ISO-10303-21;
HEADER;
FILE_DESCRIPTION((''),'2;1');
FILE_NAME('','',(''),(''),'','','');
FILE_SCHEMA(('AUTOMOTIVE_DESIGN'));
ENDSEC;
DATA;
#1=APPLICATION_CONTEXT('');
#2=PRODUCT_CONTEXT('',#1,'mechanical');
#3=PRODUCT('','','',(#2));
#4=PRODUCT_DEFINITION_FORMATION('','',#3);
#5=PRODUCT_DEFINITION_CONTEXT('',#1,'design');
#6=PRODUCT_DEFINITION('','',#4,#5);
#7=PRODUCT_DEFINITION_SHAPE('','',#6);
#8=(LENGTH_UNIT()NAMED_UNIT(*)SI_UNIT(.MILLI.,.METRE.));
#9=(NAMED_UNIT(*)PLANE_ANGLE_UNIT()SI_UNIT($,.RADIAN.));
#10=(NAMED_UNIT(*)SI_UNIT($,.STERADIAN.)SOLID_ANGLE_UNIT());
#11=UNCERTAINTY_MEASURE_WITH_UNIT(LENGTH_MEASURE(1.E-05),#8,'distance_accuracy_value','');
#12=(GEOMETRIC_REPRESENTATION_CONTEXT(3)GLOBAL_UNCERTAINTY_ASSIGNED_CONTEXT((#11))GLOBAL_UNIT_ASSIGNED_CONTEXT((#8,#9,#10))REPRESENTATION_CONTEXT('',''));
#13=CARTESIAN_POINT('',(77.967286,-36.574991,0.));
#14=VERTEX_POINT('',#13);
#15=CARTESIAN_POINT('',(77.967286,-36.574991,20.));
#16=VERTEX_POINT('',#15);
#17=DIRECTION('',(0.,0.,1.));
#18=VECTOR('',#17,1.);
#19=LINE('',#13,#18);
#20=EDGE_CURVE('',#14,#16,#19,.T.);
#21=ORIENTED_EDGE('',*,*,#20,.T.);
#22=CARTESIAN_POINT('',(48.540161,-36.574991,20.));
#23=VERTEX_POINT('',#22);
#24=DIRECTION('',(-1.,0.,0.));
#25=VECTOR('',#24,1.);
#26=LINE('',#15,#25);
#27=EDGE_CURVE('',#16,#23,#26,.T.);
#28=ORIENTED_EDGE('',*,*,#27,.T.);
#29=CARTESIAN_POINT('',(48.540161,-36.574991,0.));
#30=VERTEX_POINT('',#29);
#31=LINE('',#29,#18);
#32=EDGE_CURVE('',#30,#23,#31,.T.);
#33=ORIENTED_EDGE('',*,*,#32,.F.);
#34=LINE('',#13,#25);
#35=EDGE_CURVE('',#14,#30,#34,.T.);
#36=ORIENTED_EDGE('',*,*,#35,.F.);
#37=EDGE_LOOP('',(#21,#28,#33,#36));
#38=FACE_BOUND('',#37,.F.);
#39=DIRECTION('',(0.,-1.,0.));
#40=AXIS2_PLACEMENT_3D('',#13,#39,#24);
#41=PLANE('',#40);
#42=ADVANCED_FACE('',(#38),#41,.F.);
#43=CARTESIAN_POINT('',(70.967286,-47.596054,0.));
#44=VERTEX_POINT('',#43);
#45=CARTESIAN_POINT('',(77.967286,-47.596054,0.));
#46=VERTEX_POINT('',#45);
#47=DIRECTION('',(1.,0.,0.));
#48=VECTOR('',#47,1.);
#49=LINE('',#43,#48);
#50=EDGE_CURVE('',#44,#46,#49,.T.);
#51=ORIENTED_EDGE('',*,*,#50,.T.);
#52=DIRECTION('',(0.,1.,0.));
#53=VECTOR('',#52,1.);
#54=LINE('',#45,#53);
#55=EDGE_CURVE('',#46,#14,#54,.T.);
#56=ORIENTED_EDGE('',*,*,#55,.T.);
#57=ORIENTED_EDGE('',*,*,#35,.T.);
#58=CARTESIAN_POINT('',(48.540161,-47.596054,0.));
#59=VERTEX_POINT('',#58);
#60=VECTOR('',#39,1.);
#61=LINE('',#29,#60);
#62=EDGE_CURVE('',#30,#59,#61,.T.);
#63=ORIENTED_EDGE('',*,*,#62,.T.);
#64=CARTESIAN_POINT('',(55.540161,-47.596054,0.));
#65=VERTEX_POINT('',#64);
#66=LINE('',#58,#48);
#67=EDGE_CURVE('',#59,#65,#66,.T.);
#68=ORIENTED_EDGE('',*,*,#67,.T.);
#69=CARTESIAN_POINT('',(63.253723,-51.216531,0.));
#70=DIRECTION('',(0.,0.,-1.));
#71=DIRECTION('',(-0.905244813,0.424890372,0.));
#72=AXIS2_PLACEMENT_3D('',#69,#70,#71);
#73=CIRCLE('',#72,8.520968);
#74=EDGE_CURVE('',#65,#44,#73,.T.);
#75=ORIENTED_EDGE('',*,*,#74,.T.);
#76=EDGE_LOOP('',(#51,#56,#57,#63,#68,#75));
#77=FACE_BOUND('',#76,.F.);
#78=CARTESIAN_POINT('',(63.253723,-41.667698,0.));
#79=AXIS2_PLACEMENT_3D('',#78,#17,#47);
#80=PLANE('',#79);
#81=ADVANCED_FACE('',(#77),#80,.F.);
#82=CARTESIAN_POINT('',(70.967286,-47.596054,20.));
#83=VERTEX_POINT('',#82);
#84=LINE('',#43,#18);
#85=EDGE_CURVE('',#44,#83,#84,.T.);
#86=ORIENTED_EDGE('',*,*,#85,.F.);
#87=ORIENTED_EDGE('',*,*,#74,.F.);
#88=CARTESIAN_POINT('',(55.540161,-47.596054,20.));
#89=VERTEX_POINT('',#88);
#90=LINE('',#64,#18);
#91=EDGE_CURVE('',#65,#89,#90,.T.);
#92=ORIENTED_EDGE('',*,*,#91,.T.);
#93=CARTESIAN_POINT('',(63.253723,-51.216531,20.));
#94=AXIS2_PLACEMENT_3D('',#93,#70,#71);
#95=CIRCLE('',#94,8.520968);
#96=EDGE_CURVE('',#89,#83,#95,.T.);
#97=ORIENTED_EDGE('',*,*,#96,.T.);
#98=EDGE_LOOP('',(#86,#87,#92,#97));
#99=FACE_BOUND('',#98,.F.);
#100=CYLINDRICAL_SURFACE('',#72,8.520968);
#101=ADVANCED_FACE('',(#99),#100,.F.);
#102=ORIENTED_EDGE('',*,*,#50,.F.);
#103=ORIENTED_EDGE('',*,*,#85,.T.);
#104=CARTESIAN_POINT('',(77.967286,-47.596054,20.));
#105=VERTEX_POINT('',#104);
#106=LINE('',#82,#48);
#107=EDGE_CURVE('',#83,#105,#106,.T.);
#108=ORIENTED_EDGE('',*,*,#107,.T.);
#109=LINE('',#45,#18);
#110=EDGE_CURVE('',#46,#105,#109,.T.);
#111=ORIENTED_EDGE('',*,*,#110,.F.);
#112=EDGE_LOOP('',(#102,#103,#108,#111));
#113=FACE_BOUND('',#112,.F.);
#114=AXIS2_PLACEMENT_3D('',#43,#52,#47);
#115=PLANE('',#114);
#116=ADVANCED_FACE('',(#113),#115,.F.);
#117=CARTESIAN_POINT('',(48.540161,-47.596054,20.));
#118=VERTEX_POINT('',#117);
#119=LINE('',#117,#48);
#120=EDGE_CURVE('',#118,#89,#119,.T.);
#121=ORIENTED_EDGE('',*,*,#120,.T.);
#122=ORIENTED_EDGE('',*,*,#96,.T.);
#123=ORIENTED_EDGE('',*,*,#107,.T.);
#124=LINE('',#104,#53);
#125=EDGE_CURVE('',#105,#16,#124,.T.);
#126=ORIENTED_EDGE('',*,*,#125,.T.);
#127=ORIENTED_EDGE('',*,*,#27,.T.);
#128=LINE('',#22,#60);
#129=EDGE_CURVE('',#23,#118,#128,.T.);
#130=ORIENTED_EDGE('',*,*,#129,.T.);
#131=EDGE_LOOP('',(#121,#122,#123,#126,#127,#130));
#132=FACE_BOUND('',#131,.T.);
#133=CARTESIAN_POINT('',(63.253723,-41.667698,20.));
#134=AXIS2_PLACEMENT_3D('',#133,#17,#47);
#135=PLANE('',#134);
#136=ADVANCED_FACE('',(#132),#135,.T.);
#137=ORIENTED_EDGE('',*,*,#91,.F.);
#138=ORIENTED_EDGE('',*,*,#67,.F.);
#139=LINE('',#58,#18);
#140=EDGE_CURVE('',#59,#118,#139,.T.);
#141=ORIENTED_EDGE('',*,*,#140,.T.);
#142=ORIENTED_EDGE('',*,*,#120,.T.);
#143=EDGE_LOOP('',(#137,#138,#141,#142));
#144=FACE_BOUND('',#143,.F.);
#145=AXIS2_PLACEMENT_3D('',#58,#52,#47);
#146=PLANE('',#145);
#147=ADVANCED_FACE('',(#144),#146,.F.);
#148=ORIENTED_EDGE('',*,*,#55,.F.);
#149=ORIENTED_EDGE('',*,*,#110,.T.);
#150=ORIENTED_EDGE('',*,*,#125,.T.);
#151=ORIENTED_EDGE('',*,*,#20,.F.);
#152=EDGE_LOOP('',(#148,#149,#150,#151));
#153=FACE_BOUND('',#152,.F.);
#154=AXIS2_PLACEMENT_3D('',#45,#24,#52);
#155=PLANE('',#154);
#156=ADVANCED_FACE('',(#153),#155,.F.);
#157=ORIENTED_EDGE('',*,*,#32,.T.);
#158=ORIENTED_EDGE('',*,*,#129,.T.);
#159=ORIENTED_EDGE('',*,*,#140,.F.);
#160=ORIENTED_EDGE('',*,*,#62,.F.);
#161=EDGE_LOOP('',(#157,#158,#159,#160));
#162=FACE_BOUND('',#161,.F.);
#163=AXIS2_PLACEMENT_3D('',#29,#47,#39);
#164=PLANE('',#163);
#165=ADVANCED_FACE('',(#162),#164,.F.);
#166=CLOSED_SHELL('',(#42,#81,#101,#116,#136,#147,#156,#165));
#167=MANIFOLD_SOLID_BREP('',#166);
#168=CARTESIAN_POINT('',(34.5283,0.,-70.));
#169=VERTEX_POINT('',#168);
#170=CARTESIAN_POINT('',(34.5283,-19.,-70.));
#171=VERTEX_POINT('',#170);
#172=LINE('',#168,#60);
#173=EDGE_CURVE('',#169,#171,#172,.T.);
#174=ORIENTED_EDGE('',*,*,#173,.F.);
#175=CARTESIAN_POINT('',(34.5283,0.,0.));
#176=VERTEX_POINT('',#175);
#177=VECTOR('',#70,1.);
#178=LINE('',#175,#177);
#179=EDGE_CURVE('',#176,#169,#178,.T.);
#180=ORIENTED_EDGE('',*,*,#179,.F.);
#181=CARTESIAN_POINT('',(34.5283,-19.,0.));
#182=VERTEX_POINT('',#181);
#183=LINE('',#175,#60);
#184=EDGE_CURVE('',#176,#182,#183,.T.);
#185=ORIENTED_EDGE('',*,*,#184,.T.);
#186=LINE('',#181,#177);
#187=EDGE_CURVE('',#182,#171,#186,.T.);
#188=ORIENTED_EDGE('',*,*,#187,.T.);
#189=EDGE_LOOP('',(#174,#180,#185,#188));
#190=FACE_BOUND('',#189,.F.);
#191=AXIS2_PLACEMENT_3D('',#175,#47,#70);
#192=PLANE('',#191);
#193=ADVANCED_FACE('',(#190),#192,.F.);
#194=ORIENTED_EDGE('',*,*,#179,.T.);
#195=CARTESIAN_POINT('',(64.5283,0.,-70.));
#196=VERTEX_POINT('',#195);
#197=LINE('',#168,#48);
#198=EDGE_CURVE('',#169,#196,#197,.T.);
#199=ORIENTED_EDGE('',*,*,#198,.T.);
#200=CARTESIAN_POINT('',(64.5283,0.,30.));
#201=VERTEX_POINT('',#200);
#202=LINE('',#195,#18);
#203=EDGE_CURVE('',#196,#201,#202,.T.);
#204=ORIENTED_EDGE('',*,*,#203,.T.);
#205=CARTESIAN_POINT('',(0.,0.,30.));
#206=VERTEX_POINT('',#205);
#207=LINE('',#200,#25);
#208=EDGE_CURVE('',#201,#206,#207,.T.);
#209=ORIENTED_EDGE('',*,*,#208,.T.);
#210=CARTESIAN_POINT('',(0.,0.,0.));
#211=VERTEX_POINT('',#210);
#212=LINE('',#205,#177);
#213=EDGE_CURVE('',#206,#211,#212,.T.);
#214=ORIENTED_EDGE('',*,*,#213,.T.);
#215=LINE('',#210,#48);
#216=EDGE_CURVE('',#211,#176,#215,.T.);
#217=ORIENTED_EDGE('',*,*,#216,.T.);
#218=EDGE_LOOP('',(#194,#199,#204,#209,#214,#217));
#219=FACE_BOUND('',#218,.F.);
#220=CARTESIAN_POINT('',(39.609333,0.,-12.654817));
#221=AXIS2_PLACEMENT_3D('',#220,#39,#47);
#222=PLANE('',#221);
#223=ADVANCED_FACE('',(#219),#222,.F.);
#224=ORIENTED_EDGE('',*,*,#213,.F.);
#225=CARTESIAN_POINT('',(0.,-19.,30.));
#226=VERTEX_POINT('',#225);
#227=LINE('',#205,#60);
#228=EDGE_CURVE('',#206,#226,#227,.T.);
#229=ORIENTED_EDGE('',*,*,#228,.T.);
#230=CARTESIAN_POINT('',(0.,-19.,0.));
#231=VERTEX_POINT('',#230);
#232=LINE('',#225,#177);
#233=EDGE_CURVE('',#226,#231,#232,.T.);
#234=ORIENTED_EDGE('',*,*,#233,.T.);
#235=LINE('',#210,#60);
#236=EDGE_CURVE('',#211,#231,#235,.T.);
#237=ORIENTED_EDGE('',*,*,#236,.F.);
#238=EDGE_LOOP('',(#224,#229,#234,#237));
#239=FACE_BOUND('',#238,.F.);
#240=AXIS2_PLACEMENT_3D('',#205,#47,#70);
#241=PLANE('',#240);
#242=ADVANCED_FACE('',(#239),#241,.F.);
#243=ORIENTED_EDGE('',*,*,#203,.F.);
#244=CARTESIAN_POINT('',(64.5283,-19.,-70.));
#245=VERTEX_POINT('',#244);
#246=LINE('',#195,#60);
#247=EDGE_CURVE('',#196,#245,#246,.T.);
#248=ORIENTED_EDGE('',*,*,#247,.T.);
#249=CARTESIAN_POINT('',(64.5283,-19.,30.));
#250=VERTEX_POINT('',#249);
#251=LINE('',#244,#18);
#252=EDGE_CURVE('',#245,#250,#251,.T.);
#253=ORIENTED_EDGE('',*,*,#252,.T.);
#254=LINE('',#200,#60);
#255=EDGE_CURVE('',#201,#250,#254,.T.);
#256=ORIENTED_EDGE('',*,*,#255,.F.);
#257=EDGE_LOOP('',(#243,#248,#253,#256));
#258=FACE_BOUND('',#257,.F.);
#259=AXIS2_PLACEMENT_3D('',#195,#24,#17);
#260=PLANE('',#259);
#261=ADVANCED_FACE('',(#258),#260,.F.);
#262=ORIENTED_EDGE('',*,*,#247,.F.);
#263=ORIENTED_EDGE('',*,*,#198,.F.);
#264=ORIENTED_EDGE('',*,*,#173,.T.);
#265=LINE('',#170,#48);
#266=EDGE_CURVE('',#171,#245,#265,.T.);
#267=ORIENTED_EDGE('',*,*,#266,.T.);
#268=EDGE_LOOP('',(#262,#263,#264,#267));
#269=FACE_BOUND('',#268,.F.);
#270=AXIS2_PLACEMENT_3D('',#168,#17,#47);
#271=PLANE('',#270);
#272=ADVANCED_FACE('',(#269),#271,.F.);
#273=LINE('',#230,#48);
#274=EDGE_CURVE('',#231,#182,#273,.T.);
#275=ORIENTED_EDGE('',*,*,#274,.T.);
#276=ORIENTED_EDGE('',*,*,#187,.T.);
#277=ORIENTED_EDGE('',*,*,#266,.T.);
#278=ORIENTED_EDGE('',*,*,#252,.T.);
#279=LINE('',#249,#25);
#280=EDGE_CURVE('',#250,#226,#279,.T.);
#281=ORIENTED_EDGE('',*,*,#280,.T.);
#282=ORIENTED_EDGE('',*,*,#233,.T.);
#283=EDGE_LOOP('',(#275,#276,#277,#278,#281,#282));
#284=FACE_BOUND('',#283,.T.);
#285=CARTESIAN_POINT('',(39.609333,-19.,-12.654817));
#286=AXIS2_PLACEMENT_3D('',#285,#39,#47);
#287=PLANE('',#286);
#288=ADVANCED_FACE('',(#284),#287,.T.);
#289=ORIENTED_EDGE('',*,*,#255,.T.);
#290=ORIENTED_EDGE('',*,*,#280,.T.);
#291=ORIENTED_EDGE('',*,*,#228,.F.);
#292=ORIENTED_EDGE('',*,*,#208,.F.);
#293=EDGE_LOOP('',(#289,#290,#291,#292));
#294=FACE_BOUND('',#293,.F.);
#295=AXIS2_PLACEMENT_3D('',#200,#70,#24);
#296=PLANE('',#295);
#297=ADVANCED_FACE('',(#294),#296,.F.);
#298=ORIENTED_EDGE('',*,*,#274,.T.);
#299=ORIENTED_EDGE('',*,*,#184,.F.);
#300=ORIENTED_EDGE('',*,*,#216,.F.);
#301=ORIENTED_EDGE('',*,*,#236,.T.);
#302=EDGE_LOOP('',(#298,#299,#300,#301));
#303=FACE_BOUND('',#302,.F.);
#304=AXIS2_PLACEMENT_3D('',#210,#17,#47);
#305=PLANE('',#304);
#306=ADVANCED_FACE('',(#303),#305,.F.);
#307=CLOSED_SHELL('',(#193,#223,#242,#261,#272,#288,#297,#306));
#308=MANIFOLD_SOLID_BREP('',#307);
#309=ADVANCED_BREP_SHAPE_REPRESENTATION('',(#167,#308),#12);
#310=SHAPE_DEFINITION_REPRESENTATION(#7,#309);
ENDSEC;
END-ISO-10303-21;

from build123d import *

# Parameters (mm, degrees)
F1_DEPTH = 19
F3_DEPTH = 20


with BuildPart() as f1:
    # F0 (on Front) → F1 (new body)
    with BuildSketch(Plane.XZ):
        Polygon((0, 30), (0, 0), (34.5283, 0), (34.5283, -70), (64.5283, -70), (64.5283, 30), align=None)
    extrude(amount=F1_DEPTH)


with BuildPart() as f3:
    # F2 (on Top) → F3 (new body)
    with BuildSketch(Plane.XY):
        with BuildLine():
            Line((77.967286, -36.574991), (48.540161, -36.574991))
            Line((48.540161, -36.574991), (48.540161, -47.596054))
            Line((48.540161, -47.596054), (55.540161, -47.596054))
            ThreePointArc((55.540161, -47.596054), (63.253724, -42.695563), (70.967286, -47.596054))
            Line((70.967286, -47.596054), (77.967286, -47.596054))
            Line((77.967286, -47.596054), (77.967286, -36.574991))
        make_face()
    extrude(amount=F3_DEPTH)


solid = Compound([f1.part, f3.part])
